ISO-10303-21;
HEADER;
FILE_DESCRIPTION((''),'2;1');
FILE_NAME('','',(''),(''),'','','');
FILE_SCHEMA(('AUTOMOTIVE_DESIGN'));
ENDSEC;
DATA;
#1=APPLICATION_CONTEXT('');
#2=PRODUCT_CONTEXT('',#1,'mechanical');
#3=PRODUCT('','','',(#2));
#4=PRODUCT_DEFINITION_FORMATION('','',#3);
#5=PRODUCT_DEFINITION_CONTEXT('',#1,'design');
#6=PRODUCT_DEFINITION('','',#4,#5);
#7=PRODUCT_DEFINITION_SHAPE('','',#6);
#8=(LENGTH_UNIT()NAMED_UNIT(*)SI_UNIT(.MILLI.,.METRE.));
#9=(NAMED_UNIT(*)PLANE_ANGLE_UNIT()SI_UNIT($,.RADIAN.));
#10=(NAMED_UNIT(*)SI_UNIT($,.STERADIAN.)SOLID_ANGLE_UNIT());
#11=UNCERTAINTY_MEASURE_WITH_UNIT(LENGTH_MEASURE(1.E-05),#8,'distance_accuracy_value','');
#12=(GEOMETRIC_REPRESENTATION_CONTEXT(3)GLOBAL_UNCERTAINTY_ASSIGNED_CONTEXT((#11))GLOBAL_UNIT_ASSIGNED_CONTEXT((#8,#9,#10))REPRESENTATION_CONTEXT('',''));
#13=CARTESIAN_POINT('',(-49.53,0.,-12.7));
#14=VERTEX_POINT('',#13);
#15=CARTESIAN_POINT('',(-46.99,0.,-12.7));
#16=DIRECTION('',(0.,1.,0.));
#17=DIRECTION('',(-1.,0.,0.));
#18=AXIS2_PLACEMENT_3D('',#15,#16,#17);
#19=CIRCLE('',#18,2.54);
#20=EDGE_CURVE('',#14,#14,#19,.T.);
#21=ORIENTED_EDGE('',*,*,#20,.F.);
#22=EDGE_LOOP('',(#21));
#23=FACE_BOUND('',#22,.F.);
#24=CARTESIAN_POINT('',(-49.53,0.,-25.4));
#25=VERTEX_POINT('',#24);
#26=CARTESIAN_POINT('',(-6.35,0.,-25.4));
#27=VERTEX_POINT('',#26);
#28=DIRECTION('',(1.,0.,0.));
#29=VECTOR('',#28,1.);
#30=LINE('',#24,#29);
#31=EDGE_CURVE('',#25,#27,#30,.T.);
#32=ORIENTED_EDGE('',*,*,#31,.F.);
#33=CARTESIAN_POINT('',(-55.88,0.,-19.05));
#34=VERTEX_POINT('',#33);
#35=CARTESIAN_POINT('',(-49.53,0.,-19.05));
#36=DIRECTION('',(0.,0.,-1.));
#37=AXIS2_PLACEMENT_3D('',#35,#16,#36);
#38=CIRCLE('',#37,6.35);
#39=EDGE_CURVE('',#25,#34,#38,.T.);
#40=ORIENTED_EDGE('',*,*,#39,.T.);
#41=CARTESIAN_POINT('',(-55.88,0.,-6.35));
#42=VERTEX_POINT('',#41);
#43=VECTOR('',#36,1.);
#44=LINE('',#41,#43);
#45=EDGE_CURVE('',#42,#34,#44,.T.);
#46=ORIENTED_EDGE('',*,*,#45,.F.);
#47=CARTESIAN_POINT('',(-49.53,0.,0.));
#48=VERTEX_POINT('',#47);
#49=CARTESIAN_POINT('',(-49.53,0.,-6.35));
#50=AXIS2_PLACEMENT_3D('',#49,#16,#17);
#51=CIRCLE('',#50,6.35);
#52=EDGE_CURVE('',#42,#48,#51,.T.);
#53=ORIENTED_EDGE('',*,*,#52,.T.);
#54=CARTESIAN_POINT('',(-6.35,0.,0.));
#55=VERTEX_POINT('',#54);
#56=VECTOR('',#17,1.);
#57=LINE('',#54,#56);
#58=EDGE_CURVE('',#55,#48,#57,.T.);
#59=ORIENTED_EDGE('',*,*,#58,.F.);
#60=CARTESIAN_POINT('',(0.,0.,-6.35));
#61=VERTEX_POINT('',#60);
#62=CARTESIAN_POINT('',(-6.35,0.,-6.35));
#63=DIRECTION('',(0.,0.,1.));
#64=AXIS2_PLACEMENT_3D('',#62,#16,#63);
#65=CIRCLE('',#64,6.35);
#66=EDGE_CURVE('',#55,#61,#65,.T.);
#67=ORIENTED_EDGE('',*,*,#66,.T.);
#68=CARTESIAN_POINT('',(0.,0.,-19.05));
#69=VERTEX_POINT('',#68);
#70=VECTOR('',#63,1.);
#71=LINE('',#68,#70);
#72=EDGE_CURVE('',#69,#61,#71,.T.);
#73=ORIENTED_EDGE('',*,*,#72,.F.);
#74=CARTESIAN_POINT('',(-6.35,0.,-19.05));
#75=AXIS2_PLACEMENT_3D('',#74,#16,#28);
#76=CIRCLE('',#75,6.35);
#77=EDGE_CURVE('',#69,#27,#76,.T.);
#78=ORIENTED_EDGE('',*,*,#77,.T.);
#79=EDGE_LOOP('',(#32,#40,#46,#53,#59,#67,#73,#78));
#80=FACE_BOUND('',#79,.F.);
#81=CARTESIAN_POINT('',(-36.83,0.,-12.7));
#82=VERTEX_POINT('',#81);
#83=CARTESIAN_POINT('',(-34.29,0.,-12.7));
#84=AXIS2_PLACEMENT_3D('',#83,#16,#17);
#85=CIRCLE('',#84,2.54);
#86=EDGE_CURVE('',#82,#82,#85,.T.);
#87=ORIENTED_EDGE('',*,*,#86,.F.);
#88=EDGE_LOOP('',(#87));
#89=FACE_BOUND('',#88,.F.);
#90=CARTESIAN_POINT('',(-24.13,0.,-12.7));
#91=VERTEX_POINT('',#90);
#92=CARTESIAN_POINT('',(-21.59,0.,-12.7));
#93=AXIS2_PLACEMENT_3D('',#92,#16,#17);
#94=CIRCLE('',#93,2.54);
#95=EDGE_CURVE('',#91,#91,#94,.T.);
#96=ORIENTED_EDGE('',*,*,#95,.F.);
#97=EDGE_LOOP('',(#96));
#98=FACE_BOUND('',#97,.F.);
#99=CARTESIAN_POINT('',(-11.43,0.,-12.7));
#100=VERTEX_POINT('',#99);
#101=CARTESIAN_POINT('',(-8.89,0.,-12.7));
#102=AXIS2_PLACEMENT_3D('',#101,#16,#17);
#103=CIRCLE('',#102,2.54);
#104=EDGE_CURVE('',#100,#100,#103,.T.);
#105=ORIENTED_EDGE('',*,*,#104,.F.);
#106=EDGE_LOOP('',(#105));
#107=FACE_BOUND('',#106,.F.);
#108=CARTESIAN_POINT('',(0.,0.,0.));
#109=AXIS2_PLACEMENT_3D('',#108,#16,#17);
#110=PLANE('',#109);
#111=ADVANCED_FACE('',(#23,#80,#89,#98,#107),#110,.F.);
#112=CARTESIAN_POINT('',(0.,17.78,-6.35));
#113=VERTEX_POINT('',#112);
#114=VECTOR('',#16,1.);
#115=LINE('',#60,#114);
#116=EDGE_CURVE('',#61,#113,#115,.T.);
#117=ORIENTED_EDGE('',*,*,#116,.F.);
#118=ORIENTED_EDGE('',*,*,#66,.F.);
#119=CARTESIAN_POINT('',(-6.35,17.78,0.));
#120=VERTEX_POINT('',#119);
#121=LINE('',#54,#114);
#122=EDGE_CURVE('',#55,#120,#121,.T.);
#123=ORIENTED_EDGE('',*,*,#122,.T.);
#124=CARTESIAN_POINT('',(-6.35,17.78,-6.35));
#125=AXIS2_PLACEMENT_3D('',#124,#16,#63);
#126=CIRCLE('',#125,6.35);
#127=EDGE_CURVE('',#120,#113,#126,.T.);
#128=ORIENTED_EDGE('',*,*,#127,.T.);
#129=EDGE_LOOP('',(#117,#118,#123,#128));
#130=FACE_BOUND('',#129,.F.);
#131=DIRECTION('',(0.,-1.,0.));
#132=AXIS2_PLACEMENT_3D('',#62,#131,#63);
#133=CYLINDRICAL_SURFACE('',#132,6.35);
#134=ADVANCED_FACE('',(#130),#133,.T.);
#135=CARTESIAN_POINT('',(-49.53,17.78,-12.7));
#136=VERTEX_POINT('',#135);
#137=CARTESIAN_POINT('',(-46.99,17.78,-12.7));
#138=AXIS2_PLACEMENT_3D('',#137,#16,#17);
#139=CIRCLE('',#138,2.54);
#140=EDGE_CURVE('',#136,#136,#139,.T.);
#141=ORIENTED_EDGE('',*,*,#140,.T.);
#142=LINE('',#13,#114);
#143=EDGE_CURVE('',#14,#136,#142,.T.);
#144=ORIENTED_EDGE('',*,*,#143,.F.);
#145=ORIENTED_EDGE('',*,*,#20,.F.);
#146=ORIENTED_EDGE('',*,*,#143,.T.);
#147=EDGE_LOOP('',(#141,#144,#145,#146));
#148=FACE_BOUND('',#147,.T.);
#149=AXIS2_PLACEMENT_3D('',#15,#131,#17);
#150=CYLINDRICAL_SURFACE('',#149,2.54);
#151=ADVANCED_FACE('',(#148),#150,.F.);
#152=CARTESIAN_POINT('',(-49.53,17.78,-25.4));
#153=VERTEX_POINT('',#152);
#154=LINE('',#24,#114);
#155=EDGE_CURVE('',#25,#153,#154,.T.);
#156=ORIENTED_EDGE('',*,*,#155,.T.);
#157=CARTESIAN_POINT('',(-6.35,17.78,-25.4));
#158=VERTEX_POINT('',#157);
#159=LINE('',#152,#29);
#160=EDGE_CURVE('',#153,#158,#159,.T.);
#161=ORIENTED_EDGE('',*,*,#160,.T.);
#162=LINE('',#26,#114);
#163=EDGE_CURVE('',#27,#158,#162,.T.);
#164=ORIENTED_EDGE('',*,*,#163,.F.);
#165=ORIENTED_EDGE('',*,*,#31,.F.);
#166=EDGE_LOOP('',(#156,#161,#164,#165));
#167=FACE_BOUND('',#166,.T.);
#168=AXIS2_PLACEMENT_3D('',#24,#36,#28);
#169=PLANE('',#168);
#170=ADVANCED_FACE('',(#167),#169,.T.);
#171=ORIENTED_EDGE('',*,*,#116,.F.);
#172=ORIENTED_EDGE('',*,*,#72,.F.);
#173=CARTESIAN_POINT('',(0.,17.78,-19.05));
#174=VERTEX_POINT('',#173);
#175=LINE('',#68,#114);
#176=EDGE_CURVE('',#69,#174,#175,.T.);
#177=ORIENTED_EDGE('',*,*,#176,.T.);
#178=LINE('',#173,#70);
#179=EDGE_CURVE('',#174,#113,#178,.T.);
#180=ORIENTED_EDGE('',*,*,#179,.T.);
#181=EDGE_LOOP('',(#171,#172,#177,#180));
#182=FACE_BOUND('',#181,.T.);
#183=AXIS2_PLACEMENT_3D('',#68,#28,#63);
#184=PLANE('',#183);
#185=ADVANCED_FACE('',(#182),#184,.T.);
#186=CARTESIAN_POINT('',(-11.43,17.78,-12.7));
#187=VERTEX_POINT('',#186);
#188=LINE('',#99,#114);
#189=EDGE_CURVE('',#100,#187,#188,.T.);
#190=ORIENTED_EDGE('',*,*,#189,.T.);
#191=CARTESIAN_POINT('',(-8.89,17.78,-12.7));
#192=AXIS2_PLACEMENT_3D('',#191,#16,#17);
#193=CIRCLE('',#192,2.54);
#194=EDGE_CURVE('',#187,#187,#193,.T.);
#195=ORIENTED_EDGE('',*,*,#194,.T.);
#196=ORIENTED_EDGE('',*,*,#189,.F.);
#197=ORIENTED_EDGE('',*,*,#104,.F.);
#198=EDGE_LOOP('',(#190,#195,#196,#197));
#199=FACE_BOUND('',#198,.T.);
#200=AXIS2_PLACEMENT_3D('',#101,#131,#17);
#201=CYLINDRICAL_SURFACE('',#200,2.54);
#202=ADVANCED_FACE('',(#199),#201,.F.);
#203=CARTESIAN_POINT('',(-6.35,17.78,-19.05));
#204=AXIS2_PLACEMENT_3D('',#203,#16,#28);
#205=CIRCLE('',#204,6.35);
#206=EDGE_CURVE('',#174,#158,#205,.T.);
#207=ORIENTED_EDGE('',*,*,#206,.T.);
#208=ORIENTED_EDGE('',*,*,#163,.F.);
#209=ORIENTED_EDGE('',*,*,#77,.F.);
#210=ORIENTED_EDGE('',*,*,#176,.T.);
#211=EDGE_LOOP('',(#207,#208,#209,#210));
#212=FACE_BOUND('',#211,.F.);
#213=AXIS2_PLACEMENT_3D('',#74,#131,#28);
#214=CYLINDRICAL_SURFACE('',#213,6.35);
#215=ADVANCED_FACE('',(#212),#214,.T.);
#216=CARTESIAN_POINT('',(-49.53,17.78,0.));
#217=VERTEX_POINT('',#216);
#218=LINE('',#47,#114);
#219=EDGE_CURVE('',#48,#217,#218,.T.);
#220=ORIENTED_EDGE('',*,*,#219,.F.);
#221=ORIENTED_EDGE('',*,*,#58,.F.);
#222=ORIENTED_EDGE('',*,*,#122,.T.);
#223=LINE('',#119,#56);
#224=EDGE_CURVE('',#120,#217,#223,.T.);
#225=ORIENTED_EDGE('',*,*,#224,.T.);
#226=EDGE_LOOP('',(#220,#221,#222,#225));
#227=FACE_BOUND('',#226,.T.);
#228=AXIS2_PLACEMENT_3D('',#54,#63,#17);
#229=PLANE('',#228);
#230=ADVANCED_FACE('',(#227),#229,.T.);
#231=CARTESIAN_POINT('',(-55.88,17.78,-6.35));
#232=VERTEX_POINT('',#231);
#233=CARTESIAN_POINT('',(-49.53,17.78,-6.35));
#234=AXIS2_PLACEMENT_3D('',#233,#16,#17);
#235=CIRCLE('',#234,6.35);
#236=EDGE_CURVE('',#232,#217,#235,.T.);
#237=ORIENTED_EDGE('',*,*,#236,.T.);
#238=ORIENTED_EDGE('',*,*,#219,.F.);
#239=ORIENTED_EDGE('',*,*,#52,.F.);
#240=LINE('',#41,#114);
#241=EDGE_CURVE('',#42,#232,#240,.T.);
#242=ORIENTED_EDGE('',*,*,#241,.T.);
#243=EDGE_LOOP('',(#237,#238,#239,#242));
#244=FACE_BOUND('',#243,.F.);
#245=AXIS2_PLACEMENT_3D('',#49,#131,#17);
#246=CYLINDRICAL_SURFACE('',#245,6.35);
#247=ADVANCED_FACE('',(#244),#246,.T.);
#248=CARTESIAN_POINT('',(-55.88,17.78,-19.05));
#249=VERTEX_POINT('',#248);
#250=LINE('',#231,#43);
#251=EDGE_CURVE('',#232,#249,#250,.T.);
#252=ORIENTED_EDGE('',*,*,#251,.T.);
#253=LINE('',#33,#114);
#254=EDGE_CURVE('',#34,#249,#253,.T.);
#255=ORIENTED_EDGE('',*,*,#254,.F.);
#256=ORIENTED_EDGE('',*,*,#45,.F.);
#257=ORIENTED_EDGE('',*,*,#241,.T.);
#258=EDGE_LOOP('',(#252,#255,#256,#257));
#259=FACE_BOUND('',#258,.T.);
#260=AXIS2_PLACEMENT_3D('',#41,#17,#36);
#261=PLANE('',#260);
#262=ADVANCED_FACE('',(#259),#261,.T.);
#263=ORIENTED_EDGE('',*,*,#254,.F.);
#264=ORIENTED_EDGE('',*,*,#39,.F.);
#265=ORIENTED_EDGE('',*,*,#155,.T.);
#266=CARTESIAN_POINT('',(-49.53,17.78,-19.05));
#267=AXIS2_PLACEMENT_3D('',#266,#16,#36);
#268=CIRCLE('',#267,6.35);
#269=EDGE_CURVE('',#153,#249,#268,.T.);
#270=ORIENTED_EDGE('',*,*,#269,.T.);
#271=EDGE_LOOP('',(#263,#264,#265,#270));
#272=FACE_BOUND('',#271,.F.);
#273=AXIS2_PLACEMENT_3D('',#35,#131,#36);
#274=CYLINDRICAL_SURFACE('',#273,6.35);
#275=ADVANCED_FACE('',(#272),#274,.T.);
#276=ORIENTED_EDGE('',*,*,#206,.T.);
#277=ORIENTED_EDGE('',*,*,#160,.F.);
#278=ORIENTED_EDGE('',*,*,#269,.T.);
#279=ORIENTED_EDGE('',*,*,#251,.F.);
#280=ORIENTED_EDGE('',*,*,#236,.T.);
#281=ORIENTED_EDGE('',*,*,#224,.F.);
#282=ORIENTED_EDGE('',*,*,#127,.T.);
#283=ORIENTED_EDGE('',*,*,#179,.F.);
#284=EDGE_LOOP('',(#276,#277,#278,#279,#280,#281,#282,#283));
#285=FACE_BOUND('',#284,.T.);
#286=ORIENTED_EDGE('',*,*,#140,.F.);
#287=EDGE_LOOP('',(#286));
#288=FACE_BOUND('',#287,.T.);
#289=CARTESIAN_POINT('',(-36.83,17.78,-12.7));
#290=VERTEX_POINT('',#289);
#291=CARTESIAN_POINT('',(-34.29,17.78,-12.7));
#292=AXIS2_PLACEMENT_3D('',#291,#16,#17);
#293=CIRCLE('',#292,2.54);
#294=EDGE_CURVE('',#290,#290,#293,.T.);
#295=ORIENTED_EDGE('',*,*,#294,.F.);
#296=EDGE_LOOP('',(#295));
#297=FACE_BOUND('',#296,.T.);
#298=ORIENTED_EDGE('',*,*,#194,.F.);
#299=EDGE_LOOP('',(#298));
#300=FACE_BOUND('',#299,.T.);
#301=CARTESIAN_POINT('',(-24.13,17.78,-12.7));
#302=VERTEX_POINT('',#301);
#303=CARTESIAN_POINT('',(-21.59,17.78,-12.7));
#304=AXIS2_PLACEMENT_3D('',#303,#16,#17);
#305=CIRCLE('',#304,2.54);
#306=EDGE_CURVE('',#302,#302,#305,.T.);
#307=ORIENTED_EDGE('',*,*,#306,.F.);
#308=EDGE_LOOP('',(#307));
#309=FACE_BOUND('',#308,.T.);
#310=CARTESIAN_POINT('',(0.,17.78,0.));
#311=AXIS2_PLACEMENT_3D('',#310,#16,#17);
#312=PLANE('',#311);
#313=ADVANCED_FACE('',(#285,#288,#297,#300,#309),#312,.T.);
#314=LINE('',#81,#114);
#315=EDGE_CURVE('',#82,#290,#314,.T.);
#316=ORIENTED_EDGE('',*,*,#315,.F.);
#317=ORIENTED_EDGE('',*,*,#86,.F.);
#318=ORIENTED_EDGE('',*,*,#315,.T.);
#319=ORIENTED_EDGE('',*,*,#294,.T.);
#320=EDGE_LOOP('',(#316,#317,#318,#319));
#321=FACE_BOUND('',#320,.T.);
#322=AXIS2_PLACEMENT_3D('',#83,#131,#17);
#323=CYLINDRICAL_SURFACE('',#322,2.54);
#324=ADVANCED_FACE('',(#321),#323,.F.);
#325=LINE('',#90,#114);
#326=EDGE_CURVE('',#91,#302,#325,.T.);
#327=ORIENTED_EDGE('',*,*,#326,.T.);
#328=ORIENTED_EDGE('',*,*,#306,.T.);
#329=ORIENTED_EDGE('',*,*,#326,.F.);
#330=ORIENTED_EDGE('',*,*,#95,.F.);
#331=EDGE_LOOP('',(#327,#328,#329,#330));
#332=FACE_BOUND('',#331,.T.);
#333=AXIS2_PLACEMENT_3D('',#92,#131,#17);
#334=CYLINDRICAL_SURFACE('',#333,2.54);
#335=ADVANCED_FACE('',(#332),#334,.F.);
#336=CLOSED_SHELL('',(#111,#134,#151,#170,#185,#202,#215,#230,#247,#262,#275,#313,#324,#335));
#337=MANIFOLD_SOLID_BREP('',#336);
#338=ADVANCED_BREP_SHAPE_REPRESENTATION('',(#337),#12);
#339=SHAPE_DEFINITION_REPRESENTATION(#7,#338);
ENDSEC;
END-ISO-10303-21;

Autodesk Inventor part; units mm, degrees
ref_plane "YZ Plane" through (0, 0, 0) normal (1, 0, 0) x (0, 1, 0)
ref_plane "XZ Plane" through (0, 0, 0) normal (0, 1, 0) x (-1, 0, 0)
ref_plane "XY Plane" through (0, 0, 0) normal (0, 0, 1) x (1, 0, 0)
sketch "Sketch1" plane through (0, 0, 0) normal (0, 1, 0) x (-1, 0, 0)
  line L0 (6.35, 0) -> (49.53, 0)
  line L1 (55.88, -6.35) -> (55.88, -19.05)
  line L2 (49.53, -25.4) -> (6.35, -25.4)
  line L3 (0, -19.05) -> (0, -6.35)
  circle A0 centre (46.99, -12.7) radius 2.54
  circle A1 centre (34.29, -12.7) radius 2.54
  circle A2 centre (21.59, -12.7) radius 2.54
  circle A3 centre (8.89, -12.7) radius 2.54
  line L4 (46.99, -12.7) -> (8.89, -12.7) construction
  arc A4 (49.53, -25.4) -> (55.88, -19.05) centre (49.53, -19.05) ccw
  arc A5 (55.88, -6.35) -> (49.53, 0) centre (49.53, -6.35) ccw
  arc A6 (6.35, 0) -> (0, -6.35) centre (6.35, -6.35) ccw
  arc A7 (0, -19.05) -> (6.35, -25.4) centre (6.35, -19.05) ccw
  point P0 (0, 0)
  dimension "d0" = 25.4
  dimension "d1" = 55.88
  dimension "d2" = 5.08
  dimension "d3" = 12.7
  dimension "d4" = 12.7
  dimension "d5" = 12.7
  dimension "d6" = 12.7
  dimension "d7" = 8.89
  dimension "d8" = 6.35
extrude "Extrusion1" add sketch "Sketch1" along normal blind 17.78
properties part number "ELEV_023_BILLET2" material "Aluminum 6061"
